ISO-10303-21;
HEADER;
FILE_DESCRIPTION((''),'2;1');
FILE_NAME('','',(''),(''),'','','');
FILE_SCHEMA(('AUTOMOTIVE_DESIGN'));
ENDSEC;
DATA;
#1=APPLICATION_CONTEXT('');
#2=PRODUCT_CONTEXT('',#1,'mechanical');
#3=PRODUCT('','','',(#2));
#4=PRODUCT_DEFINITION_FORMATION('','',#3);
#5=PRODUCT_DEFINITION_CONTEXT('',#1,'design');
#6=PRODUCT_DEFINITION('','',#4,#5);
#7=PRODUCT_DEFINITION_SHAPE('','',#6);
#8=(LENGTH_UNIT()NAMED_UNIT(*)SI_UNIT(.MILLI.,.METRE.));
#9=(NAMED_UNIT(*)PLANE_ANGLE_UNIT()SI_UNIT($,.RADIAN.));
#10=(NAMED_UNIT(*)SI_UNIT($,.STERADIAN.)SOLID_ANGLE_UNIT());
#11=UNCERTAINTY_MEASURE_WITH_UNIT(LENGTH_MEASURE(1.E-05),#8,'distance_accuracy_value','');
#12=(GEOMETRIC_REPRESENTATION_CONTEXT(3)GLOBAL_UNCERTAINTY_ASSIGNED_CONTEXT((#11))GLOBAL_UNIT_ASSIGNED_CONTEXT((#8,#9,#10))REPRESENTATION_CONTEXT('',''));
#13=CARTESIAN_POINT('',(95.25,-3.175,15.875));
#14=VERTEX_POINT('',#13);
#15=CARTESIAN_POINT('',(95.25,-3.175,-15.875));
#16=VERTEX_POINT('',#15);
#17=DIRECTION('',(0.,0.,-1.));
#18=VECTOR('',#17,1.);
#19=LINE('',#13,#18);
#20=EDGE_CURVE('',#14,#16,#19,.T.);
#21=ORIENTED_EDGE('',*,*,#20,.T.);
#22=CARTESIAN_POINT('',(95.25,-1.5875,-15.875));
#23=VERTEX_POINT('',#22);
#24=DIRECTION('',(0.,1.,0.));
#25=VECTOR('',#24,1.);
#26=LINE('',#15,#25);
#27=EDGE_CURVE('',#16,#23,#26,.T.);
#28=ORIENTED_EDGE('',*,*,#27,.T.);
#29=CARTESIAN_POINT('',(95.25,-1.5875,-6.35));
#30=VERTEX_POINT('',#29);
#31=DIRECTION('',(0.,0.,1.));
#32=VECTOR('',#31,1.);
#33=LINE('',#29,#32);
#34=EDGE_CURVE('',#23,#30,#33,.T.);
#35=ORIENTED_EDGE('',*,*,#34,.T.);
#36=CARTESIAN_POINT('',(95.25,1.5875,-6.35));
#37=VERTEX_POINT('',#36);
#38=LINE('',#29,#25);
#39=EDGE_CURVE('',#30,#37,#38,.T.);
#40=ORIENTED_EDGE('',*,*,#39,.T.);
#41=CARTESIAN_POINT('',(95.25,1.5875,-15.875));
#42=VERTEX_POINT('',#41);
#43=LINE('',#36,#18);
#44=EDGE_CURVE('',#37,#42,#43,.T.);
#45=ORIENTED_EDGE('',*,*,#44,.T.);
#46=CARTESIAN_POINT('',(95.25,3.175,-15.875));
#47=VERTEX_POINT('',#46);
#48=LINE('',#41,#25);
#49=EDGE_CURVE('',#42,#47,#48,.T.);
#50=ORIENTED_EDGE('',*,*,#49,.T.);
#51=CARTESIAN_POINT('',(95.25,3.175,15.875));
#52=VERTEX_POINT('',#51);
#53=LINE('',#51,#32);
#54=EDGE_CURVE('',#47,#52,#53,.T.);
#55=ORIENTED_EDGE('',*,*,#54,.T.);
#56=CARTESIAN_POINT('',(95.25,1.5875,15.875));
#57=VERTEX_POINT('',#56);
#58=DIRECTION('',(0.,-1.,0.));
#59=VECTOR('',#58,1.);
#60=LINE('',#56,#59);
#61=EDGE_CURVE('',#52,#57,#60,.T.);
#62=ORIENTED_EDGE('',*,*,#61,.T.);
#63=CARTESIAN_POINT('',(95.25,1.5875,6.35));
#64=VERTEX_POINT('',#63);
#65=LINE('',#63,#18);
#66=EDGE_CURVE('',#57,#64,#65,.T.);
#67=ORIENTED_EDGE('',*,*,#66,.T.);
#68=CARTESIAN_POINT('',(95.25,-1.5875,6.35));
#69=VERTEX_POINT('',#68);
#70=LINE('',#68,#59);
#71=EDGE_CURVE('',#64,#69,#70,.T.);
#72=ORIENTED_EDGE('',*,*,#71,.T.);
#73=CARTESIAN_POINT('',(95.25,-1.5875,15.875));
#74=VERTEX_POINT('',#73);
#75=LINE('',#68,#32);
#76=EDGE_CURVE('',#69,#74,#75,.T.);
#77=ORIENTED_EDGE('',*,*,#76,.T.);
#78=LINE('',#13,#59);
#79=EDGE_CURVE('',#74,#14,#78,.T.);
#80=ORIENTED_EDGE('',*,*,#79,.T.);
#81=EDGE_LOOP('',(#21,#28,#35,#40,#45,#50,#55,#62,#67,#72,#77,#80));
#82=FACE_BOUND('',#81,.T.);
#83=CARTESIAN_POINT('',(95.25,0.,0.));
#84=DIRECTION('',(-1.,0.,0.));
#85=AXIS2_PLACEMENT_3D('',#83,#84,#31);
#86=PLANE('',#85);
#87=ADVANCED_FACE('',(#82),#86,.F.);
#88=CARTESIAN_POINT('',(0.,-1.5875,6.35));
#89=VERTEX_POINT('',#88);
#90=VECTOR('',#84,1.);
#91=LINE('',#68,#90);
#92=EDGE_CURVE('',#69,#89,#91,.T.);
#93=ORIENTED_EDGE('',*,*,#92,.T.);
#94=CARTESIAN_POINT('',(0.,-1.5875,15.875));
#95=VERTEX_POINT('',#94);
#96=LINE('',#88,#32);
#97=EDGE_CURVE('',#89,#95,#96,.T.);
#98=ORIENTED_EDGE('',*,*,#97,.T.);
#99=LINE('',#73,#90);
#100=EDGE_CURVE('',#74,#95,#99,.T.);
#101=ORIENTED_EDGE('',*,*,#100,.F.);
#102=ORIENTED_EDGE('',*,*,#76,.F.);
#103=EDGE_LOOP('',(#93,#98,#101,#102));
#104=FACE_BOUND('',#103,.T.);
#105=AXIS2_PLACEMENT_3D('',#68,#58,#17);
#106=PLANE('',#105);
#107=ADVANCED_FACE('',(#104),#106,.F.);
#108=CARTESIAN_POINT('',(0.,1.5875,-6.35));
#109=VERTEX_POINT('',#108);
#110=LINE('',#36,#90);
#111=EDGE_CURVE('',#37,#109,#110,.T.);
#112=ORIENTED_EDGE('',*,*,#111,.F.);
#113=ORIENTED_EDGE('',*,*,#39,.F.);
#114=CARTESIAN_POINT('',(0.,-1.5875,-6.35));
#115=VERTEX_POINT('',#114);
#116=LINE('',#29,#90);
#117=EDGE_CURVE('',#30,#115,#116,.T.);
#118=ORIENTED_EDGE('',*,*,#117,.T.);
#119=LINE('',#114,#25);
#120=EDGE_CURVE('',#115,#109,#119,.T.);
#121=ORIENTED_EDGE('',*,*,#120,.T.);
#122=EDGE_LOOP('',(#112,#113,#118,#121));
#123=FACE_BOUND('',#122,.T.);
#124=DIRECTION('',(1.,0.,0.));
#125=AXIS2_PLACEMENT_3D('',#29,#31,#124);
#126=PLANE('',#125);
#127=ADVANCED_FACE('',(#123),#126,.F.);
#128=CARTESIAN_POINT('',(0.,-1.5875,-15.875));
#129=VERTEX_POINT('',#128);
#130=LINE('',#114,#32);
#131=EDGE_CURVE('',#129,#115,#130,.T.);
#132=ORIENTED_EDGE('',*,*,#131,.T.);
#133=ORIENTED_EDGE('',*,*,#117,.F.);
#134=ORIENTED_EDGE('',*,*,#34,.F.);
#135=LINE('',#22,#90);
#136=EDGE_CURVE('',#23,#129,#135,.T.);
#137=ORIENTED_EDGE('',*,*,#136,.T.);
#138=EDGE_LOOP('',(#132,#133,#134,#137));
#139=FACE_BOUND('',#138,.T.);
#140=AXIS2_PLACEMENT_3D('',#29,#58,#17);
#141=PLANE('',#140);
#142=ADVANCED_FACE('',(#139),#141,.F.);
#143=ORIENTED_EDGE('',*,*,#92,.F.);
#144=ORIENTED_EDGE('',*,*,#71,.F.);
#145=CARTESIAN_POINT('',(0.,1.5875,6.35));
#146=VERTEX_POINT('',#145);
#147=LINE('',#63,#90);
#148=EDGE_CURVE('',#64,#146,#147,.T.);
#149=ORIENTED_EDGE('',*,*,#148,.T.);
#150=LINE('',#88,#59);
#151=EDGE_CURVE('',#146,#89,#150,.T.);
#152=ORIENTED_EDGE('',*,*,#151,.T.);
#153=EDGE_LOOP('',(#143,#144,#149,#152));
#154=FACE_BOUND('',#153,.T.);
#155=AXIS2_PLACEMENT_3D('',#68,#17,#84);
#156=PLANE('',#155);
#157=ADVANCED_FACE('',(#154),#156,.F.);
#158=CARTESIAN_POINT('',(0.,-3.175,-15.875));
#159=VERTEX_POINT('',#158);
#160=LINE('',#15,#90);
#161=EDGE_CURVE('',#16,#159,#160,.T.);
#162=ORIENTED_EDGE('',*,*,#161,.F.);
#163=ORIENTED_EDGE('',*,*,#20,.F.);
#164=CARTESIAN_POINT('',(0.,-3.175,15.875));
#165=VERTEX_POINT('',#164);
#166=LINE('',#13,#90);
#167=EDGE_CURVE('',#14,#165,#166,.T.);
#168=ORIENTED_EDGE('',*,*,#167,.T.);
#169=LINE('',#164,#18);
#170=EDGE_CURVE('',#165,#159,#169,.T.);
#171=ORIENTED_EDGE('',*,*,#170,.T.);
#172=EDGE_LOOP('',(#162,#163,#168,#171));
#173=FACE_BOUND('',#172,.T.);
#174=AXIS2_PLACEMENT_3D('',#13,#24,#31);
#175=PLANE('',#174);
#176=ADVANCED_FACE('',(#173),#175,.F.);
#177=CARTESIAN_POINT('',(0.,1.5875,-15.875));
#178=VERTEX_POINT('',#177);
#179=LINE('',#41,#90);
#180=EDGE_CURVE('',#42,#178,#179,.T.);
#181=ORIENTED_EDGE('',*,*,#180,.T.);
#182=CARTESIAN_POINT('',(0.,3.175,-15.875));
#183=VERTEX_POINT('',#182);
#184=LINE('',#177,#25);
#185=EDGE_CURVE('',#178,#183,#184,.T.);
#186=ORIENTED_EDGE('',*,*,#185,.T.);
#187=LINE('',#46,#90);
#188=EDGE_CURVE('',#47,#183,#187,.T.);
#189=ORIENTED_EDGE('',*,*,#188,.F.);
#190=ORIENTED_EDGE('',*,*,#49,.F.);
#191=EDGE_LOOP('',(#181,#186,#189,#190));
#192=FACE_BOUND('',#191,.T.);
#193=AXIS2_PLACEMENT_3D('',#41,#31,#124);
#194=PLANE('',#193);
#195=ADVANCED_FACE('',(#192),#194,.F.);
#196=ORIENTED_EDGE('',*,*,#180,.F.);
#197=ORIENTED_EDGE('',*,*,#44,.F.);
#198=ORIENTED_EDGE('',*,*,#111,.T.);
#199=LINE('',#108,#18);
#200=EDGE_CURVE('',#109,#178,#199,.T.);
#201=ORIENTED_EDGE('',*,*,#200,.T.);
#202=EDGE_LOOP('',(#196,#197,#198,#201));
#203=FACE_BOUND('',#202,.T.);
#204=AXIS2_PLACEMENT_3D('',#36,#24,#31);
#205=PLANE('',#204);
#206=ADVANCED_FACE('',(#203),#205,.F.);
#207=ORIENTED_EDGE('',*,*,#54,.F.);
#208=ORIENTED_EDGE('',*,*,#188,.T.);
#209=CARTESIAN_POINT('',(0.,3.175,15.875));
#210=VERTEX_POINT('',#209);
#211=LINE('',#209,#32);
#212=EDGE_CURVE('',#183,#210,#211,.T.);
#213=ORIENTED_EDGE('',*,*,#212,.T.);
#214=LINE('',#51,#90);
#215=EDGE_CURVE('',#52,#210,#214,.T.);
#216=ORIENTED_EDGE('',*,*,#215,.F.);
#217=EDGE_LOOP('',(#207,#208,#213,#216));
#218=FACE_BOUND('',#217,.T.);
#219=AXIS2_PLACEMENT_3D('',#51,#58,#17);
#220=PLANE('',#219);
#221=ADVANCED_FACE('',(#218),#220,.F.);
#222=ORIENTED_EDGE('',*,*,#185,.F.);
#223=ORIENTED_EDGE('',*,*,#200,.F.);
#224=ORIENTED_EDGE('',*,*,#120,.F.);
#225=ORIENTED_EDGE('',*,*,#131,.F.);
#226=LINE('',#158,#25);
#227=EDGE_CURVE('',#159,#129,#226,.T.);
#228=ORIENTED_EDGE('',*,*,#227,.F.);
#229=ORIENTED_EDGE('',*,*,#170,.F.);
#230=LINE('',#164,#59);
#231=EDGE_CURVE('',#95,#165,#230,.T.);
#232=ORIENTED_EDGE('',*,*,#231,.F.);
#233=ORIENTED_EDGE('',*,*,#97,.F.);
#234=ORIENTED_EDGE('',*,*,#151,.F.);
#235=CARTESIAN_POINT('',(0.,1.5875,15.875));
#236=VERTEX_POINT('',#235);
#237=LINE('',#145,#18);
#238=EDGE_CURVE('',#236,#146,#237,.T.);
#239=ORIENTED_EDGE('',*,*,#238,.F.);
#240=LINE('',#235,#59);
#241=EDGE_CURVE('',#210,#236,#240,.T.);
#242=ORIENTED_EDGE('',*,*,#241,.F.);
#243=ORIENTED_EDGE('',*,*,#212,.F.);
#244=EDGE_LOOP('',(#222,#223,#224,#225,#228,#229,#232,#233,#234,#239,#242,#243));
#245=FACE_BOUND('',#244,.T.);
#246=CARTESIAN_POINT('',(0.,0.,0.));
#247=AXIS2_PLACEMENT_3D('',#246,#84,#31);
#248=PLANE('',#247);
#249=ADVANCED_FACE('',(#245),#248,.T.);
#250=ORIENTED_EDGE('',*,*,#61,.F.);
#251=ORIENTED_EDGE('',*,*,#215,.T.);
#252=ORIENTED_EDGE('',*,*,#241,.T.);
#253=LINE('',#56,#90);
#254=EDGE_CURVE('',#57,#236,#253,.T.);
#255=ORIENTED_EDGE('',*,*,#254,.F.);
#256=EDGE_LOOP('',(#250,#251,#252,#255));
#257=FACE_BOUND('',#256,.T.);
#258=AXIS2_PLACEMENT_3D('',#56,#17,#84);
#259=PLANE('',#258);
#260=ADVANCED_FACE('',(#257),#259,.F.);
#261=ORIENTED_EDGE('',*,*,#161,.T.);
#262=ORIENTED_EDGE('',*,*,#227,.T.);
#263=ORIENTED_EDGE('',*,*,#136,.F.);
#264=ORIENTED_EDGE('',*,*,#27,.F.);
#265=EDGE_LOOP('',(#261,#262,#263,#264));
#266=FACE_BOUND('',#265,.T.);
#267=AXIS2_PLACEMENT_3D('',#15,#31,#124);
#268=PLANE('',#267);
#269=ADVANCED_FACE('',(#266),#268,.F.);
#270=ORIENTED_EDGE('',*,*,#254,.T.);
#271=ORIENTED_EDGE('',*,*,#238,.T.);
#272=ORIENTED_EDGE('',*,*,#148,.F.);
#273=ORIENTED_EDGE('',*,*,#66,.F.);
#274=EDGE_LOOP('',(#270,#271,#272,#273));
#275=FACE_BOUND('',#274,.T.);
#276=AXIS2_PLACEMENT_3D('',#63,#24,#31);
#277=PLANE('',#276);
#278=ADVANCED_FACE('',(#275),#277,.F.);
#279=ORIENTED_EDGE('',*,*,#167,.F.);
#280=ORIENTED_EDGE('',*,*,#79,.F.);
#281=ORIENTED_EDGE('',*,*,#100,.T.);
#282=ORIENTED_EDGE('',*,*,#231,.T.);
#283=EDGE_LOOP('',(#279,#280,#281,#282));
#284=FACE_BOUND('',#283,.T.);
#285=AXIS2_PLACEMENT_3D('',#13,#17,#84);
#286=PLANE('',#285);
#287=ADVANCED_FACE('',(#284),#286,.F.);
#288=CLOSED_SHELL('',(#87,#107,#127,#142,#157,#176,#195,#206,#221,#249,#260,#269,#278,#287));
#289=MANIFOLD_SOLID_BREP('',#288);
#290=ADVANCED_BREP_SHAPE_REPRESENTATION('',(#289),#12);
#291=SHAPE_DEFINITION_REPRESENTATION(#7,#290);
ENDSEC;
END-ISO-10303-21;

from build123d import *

# Parameters (mm, degrees)
BOSS_EXTRUDE1_DEPTH = 95.25


with BuildPart() as part:
    # Sketch1 → Boss-Extrude1 (new body)
    with BuildSketch(Plane(origin=(0, 0, 0), x_dir=(0, 0, -1), z_dir=(1, 0, 0))):
        Polygon((-15.875, 1.5875), (-15.875, 3.175), (15.875, 3.175), (15.875, 1.5875), (6.35, 1.5875), (6.35, -1.5875), (15.875, -1.5875), (15.875, -3.175), (-15.875, -3.175), (-15.875, -1.5875), (-6.35, -1.5875), (-6.35, 1.5875), align=None)
    extrude(amount=BOSS_EXTRUDE1_DEPTH)


solid = part.part
